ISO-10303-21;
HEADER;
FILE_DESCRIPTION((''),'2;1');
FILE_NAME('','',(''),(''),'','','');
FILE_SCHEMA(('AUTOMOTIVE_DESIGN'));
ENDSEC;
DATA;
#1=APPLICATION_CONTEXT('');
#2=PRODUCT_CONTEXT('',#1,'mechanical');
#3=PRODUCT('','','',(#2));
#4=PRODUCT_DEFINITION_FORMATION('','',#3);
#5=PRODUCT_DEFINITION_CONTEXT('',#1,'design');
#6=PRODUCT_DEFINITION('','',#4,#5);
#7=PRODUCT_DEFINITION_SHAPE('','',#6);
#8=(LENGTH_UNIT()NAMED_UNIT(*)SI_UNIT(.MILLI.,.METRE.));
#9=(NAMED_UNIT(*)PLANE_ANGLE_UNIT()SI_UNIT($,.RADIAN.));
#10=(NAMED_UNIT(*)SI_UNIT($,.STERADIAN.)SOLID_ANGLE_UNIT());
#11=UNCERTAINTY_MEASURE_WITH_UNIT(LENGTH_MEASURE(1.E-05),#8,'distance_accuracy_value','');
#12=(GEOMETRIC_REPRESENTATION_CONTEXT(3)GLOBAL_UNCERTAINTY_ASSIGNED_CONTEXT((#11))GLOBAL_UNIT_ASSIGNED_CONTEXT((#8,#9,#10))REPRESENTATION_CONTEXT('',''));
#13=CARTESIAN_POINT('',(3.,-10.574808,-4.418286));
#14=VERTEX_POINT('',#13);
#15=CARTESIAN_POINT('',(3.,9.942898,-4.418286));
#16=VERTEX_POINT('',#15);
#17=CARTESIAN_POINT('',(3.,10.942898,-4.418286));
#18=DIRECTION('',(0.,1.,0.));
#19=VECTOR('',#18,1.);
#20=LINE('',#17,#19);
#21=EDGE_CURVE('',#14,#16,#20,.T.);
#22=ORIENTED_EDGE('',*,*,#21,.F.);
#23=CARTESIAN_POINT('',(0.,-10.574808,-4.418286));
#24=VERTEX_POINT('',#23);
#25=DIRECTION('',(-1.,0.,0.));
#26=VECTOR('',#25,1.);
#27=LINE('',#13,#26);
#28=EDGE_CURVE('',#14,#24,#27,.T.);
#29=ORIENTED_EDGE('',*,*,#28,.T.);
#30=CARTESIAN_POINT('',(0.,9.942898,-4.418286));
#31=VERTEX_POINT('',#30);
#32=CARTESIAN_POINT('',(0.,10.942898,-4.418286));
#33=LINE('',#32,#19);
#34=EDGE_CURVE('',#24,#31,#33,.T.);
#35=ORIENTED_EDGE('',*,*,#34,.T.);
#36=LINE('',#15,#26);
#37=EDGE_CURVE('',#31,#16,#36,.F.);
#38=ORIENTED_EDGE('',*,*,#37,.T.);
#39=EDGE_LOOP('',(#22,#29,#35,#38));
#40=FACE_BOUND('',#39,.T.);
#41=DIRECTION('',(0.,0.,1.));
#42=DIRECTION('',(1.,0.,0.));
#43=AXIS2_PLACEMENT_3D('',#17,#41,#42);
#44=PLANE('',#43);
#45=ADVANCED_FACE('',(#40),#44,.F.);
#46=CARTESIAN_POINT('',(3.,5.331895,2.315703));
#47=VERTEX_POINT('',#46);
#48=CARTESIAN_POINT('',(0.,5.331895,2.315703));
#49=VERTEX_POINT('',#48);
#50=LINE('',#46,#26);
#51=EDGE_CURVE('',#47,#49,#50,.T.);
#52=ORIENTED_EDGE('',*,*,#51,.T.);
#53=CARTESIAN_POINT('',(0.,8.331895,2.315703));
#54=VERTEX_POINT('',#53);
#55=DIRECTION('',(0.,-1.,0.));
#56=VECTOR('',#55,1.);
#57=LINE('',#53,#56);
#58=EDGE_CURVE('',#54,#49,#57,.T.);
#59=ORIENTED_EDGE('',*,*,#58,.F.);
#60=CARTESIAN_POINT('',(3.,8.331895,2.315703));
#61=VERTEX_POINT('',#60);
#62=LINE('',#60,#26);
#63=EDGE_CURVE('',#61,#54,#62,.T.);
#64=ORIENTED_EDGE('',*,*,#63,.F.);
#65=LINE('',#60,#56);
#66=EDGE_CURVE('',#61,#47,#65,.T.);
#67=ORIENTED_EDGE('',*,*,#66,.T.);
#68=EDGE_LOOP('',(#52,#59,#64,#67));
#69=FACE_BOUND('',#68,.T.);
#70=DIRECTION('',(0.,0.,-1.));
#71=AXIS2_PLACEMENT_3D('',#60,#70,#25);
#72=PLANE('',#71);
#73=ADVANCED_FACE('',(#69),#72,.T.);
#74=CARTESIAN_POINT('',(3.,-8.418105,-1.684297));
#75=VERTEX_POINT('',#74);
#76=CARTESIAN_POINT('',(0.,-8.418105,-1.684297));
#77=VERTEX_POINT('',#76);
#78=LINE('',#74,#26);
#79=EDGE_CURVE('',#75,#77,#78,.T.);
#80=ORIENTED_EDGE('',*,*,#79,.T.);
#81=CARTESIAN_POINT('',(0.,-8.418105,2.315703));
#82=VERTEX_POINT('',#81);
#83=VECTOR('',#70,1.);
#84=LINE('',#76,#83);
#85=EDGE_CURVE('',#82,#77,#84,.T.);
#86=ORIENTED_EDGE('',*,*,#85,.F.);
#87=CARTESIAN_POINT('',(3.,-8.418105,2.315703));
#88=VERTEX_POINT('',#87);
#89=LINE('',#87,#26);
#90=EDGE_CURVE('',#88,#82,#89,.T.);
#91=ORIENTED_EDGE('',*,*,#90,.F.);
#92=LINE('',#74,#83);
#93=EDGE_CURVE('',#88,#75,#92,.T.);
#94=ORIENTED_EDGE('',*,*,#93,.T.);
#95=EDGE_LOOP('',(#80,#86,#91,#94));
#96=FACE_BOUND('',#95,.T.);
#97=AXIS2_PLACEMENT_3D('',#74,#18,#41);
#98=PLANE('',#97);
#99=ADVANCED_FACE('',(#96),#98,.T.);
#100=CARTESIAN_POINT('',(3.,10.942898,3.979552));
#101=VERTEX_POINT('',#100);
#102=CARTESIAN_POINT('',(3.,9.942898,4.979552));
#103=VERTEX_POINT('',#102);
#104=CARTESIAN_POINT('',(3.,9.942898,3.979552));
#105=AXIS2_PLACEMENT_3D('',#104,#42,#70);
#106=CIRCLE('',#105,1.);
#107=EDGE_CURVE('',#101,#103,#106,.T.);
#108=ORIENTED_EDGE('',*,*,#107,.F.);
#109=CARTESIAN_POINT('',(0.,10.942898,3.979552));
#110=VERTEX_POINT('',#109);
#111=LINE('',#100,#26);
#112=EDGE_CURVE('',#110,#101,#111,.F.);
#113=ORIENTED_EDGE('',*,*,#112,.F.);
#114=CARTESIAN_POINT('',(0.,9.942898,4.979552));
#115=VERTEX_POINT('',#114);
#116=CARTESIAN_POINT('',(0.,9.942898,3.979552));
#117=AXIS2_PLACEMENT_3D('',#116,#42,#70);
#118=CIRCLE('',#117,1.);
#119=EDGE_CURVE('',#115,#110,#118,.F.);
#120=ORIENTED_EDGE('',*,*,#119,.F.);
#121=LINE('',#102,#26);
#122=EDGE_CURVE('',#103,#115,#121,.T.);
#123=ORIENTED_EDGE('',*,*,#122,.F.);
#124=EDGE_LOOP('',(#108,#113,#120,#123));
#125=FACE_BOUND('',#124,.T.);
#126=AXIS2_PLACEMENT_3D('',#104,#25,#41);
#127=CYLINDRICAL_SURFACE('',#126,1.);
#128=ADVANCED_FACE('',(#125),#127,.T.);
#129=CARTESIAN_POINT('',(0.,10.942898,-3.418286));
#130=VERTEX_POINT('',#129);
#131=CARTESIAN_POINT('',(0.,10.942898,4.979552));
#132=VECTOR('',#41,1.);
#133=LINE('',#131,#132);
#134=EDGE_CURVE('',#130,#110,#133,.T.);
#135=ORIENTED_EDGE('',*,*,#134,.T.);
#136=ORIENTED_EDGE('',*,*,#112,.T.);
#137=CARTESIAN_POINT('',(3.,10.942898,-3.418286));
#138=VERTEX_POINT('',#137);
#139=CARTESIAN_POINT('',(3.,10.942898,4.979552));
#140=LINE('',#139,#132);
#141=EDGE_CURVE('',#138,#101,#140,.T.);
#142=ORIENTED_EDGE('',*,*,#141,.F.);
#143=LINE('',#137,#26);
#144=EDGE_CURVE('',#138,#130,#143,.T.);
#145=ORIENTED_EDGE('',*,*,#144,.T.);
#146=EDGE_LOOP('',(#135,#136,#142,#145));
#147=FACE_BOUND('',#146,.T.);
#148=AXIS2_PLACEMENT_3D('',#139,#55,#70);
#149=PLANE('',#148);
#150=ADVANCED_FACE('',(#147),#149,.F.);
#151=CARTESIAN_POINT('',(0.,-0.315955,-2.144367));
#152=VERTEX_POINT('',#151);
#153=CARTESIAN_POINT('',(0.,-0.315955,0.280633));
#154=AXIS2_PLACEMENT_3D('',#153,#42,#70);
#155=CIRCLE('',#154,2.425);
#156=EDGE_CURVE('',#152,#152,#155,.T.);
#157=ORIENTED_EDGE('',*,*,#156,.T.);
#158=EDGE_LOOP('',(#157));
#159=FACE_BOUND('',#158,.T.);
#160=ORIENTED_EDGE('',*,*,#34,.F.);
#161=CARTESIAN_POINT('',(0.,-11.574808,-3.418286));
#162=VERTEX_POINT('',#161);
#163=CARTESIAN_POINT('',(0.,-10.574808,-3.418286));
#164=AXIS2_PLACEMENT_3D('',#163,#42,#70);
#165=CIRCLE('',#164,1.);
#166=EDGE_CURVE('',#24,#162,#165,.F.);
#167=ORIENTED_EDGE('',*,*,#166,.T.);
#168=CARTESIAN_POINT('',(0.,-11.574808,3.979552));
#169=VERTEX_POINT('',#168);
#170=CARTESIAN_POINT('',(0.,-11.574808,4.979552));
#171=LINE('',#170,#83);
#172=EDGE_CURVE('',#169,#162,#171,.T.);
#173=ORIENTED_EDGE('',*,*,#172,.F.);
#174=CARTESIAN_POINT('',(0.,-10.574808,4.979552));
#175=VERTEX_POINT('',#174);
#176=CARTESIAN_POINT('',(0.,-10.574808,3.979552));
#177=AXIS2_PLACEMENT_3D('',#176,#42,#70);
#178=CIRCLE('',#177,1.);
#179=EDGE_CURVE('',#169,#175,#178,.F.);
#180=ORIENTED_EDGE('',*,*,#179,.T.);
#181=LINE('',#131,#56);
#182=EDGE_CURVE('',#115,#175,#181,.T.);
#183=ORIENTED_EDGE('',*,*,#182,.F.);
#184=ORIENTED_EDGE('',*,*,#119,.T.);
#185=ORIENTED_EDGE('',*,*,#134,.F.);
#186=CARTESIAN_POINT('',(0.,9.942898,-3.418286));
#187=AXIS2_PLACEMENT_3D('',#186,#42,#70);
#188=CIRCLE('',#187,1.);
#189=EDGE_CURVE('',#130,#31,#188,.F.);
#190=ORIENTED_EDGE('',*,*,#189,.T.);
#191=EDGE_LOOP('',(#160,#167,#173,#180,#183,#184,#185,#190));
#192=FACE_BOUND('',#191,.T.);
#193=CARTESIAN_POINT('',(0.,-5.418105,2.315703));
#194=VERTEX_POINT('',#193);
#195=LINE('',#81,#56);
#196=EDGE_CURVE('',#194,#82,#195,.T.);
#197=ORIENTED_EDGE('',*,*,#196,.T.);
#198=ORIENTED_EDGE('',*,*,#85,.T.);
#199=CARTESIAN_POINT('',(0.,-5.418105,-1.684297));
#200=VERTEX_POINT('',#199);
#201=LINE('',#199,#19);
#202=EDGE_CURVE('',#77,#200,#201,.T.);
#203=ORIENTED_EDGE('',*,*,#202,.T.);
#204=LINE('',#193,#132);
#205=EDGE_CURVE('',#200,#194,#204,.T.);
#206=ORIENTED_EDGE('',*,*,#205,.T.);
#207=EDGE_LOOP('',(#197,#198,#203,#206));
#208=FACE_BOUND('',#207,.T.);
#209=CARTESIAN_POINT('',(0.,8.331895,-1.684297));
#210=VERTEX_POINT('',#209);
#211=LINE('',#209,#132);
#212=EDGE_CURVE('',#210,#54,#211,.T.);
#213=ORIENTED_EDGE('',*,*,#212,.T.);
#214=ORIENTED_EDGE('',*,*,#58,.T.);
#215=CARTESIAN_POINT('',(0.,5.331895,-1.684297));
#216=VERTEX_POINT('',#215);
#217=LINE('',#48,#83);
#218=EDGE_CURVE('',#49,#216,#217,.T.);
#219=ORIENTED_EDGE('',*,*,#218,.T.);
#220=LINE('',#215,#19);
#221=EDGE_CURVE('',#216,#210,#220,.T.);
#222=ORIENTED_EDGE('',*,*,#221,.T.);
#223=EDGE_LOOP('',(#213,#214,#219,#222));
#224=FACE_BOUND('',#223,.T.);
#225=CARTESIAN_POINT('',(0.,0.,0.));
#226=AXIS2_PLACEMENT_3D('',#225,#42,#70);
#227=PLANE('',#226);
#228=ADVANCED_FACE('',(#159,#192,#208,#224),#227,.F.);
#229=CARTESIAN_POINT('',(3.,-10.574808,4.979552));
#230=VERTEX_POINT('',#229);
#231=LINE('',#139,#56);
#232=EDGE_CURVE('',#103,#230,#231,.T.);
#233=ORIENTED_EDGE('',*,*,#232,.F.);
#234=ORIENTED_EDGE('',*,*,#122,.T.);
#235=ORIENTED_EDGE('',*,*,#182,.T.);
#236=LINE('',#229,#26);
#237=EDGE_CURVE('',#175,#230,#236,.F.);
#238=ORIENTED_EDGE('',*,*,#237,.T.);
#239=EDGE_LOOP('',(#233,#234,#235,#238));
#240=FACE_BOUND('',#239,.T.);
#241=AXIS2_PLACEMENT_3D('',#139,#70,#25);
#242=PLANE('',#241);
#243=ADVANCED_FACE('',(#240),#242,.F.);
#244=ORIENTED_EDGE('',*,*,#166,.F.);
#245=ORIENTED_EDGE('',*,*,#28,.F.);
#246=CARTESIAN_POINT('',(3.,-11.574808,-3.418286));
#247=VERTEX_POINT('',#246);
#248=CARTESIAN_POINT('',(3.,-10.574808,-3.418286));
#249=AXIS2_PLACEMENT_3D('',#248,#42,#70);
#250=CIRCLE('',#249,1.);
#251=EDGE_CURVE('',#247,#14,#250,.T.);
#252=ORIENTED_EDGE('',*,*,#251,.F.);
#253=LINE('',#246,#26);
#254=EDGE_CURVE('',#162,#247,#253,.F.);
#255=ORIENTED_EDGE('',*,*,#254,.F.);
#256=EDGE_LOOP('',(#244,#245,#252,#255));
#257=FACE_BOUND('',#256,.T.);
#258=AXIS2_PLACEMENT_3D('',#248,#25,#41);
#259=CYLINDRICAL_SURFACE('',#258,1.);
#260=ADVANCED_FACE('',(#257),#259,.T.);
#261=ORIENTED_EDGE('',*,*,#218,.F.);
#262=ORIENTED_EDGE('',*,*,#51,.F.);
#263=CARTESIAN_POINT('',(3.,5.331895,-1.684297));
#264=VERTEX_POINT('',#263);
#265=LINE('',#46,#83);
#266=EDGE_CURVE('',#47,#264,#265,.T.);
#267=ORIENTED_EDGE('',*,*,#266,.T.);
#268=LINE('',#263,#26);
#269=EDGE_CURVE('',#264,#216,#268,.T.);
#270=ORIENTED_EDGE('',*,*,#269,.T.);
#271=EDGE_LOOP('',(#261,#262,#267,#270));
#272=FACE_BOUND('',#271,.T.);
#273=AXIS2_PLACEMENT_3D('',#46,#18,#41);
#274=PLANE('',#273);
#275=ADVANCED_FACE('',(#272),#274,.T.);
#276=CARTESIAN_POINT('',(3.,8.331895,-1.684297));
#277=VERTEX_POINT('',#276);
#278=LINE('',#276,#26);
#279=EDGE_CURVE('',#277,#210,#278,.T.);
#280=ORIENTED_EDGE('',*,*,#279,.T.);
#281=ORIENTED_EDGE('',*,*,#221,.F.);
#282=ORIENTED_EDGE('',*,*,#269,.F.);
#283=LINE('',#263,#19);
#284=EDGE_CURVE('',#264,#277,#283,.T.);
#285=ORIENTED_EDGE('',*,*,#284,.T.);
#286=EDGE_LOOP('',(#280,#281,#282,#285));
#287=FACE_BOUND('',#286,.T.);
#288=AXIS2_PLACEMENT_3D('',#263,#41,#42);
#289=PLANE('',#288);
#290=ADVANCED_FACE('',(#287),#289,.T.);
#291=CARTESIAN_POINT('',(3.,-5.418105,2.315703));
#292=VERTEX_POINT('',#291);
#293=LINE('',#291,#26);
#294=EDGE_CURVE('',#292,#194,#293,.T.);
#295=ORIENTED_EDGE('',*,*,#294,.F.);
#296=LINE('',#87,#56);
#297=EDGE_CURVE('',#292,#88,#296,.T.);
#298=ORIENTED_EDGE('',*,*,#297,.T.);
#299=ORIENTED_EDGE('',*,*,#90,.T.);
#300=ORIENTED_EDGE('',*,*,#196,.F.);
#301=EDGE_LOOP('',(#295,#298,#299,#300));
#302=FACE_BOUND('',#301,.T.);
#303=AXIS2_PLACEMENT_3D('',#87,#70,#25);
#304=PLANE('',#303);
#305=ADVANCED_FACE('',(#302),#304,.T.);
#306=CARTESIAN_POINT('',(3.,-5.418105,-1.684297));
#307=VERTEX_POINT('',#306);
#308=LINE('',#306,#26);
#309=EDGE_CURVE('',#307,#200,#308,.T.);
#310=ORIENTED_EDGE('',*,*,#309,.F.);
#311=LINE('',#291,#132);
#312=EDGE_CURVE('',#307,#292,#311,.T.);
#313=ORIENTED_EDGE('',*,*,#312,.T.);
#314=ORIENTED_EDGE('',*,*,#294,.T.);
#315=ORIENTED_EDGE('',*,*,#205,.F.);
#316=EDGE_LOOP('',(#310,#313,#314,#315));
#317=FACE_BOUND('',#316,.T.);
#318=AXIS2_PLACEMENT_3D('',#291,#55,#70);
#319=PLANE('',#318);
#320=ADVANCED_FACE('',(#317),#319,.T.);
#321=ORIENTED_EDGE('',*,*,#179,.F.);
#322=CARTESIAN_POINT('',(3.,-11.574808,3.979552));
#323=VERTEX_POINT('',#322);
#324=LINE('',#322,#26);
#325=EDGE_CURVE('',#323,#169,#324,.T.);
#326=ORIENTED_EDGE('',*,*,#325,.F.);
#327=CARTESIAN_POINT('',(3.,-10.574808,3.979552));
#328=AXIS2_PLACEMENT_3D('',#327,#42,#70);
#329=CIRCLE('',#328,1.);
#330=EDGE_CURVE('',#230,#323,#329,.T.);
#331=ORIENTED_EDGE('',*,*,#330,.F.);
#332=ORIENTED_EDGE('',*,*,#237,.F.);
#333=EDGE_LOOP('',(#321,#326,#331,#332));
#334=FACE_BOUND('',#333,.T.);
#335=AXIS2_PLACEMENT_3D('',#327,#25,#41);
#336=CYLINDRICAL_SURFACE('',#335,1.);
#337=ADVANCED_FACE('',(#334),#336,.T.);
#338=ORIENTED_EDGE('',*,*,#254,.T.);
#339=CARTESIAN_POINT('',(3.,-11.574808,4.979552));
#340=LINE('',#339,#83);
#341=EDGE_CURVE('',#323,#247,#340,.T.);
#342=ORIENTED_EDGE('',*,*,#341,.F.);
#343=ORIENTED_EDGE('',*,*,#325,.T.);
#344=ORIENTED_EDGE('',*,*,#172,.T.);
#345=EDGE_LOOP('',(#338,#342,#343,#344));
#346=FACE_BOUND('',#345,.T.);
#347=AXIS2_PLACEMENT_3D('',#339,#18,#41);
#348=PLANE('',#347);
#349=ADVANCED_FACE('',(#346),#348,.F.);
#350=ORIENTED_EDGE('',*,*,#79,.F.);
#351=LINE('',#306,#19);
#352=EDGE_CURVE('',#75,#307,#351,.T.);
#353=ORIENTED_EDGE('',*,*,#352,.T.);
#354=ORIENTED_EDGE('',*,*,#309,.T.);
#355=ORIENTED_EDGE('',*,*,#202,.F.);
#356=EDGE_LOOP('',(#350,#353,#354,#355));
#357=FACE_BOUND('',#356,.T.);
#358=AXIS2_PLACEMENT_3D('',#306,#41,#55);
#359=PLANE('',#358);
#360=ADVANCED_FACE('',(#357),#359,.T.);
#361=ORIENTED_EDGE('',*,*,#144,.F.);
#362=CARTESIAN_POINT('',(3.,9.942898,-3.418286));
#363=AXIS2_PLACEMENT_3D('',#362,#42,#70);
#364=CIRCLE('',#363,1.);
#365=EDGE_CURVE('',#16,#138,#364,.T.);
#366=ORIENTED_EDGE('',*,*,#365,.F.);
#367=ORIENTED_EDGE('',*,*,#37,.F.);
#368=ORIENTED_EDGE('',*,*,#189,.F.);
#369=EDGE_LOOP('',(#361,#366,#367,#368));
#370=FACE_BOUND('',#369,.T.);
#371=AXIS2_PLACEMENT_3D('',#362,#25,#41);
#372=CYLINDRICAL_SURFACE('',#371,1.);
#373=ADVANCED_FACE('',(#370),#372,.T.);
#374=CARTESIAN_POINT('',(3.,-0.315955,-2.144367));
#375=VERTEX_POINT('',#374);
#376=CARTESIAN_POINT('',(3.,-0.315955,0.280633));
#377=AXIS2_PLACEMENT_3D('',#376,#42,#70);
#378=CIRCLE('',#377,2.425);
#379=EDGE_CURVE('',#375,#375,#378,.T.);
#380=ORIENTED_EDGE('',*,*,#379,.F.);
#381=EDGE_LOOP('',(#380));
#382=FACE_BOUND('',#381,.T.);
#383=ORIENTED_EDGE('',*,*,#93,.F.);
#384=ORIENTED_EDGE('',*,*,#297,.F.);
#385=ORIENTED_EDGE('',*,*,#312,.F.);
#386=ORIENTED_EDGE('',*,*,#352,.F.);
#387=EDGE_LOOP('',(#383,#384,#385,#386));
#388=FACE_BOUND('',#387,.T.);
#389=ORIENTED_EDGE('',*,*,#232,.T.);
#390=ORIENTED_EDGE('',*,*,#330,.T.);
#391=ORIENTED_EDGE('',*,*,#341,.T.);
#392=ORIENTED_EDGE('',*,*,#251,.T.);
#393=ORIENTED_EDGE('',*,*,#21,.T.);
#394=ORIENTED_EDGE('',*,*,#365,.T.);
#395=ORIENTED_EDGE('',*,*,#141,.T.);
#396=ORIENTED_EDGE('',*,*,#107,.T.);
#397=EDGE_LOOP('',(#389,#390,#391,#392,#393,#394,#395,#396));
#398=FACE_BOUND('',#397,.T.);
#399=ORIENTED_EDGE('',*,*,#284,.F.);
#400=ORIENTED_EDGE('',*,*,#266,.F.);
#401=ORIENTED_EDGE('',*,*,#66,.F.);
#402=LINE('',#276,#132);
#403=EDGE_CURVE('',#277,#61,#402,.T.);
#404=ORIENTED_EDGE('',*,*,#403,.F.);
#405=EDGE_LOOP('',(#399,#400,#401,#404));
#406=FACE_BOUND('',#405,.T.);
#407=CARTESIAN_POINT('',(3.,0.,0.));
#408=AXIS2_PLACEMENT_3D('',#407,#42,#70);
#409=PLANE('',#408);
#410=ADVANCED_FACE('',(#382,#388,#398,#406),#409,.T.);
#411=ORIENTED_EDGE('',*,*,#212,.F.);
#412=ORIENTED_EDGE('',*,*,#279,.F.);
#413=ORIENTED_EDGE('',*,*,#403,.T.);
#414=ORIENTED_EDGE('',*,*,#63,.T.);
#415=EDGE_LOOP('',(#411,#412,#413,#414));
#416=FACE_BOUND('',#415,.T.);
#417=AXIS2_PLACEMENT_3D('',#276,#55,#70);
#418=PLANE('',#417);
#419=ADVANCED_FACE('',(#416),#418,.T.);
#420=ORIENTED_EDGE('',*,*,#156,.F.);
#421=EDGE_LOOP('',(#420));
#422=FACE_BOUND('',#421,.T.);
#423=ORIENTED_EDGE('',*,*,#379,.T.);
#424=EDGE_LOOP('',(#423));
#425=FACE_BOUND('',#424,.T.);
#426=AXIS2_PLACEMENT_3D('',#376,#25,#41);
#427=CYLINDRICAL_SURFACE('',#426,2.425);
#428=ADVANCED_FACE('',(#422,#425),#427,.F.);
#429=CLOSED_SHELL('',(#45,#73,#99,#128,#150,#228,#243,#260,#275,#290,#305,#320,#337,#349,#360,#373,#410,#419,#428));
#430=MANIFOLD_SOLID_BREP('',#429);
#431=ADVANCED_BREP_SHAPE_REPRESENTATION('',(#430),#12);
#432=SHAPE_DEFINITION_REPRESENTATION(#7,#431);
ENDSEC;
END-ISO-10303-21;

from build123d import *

# Parameters (mm, degrees)
SKETCH1_W           = 9.397838239
SKETCH1_H           = 22.517705726
SKETCH1_R           = 2.425
SKETCH1_W_2         = 4
SKETCH1_H_2         = 3
BOSS_EXTRUDE1_DEPTH = 3
FILLET1_R           = 1


with BuildPart() as part:
    # Sketch1 → Boss-Extrude1 (new body)
    with BuildSketch(Plane(origin=(0, 0, 0), x_dir=(0, 0, -1), z_dir=(1, 0, 0))):
        with Locations((-0.280633356, -0.315954963)):
            Rectangle(SKETCH1_W, SKETCH1_H)
        with Locations((-0.280633356, -0.315954963)):
            Circle(SKETCH1_R, mode=Mode.SUBTRACT)
        with Locations((-0.315702717, -6.918104791)):
            Rectangle(SKETCH1_W_2, SKETCH1_H_2, mode=Mode.SUBTRACT)
        with Locations((-0.315702717, 6.831895209)):
            Rectangle(SKETCH1_W_2, SKETCH1_H_2, mode=Mode.SUBTRACT)
    extrude(amount=BOSS_EXTRUDE1_DEPTH)

    # Fillet1
    fillet1_edges = [part.edges().sort_by_distance(p)[0] for p in [
        (1.5, 10.9428979, 4.979552475),
        (1.5, 10.9428979, -4.418285764),
        (1.5, -11.574807826, -4.418285764),
        (1.5, -11.574807826, 4.979552475),
    ]]
    fillet(fillet1_edges, radius=FILLET1_R)


solid = part.part
